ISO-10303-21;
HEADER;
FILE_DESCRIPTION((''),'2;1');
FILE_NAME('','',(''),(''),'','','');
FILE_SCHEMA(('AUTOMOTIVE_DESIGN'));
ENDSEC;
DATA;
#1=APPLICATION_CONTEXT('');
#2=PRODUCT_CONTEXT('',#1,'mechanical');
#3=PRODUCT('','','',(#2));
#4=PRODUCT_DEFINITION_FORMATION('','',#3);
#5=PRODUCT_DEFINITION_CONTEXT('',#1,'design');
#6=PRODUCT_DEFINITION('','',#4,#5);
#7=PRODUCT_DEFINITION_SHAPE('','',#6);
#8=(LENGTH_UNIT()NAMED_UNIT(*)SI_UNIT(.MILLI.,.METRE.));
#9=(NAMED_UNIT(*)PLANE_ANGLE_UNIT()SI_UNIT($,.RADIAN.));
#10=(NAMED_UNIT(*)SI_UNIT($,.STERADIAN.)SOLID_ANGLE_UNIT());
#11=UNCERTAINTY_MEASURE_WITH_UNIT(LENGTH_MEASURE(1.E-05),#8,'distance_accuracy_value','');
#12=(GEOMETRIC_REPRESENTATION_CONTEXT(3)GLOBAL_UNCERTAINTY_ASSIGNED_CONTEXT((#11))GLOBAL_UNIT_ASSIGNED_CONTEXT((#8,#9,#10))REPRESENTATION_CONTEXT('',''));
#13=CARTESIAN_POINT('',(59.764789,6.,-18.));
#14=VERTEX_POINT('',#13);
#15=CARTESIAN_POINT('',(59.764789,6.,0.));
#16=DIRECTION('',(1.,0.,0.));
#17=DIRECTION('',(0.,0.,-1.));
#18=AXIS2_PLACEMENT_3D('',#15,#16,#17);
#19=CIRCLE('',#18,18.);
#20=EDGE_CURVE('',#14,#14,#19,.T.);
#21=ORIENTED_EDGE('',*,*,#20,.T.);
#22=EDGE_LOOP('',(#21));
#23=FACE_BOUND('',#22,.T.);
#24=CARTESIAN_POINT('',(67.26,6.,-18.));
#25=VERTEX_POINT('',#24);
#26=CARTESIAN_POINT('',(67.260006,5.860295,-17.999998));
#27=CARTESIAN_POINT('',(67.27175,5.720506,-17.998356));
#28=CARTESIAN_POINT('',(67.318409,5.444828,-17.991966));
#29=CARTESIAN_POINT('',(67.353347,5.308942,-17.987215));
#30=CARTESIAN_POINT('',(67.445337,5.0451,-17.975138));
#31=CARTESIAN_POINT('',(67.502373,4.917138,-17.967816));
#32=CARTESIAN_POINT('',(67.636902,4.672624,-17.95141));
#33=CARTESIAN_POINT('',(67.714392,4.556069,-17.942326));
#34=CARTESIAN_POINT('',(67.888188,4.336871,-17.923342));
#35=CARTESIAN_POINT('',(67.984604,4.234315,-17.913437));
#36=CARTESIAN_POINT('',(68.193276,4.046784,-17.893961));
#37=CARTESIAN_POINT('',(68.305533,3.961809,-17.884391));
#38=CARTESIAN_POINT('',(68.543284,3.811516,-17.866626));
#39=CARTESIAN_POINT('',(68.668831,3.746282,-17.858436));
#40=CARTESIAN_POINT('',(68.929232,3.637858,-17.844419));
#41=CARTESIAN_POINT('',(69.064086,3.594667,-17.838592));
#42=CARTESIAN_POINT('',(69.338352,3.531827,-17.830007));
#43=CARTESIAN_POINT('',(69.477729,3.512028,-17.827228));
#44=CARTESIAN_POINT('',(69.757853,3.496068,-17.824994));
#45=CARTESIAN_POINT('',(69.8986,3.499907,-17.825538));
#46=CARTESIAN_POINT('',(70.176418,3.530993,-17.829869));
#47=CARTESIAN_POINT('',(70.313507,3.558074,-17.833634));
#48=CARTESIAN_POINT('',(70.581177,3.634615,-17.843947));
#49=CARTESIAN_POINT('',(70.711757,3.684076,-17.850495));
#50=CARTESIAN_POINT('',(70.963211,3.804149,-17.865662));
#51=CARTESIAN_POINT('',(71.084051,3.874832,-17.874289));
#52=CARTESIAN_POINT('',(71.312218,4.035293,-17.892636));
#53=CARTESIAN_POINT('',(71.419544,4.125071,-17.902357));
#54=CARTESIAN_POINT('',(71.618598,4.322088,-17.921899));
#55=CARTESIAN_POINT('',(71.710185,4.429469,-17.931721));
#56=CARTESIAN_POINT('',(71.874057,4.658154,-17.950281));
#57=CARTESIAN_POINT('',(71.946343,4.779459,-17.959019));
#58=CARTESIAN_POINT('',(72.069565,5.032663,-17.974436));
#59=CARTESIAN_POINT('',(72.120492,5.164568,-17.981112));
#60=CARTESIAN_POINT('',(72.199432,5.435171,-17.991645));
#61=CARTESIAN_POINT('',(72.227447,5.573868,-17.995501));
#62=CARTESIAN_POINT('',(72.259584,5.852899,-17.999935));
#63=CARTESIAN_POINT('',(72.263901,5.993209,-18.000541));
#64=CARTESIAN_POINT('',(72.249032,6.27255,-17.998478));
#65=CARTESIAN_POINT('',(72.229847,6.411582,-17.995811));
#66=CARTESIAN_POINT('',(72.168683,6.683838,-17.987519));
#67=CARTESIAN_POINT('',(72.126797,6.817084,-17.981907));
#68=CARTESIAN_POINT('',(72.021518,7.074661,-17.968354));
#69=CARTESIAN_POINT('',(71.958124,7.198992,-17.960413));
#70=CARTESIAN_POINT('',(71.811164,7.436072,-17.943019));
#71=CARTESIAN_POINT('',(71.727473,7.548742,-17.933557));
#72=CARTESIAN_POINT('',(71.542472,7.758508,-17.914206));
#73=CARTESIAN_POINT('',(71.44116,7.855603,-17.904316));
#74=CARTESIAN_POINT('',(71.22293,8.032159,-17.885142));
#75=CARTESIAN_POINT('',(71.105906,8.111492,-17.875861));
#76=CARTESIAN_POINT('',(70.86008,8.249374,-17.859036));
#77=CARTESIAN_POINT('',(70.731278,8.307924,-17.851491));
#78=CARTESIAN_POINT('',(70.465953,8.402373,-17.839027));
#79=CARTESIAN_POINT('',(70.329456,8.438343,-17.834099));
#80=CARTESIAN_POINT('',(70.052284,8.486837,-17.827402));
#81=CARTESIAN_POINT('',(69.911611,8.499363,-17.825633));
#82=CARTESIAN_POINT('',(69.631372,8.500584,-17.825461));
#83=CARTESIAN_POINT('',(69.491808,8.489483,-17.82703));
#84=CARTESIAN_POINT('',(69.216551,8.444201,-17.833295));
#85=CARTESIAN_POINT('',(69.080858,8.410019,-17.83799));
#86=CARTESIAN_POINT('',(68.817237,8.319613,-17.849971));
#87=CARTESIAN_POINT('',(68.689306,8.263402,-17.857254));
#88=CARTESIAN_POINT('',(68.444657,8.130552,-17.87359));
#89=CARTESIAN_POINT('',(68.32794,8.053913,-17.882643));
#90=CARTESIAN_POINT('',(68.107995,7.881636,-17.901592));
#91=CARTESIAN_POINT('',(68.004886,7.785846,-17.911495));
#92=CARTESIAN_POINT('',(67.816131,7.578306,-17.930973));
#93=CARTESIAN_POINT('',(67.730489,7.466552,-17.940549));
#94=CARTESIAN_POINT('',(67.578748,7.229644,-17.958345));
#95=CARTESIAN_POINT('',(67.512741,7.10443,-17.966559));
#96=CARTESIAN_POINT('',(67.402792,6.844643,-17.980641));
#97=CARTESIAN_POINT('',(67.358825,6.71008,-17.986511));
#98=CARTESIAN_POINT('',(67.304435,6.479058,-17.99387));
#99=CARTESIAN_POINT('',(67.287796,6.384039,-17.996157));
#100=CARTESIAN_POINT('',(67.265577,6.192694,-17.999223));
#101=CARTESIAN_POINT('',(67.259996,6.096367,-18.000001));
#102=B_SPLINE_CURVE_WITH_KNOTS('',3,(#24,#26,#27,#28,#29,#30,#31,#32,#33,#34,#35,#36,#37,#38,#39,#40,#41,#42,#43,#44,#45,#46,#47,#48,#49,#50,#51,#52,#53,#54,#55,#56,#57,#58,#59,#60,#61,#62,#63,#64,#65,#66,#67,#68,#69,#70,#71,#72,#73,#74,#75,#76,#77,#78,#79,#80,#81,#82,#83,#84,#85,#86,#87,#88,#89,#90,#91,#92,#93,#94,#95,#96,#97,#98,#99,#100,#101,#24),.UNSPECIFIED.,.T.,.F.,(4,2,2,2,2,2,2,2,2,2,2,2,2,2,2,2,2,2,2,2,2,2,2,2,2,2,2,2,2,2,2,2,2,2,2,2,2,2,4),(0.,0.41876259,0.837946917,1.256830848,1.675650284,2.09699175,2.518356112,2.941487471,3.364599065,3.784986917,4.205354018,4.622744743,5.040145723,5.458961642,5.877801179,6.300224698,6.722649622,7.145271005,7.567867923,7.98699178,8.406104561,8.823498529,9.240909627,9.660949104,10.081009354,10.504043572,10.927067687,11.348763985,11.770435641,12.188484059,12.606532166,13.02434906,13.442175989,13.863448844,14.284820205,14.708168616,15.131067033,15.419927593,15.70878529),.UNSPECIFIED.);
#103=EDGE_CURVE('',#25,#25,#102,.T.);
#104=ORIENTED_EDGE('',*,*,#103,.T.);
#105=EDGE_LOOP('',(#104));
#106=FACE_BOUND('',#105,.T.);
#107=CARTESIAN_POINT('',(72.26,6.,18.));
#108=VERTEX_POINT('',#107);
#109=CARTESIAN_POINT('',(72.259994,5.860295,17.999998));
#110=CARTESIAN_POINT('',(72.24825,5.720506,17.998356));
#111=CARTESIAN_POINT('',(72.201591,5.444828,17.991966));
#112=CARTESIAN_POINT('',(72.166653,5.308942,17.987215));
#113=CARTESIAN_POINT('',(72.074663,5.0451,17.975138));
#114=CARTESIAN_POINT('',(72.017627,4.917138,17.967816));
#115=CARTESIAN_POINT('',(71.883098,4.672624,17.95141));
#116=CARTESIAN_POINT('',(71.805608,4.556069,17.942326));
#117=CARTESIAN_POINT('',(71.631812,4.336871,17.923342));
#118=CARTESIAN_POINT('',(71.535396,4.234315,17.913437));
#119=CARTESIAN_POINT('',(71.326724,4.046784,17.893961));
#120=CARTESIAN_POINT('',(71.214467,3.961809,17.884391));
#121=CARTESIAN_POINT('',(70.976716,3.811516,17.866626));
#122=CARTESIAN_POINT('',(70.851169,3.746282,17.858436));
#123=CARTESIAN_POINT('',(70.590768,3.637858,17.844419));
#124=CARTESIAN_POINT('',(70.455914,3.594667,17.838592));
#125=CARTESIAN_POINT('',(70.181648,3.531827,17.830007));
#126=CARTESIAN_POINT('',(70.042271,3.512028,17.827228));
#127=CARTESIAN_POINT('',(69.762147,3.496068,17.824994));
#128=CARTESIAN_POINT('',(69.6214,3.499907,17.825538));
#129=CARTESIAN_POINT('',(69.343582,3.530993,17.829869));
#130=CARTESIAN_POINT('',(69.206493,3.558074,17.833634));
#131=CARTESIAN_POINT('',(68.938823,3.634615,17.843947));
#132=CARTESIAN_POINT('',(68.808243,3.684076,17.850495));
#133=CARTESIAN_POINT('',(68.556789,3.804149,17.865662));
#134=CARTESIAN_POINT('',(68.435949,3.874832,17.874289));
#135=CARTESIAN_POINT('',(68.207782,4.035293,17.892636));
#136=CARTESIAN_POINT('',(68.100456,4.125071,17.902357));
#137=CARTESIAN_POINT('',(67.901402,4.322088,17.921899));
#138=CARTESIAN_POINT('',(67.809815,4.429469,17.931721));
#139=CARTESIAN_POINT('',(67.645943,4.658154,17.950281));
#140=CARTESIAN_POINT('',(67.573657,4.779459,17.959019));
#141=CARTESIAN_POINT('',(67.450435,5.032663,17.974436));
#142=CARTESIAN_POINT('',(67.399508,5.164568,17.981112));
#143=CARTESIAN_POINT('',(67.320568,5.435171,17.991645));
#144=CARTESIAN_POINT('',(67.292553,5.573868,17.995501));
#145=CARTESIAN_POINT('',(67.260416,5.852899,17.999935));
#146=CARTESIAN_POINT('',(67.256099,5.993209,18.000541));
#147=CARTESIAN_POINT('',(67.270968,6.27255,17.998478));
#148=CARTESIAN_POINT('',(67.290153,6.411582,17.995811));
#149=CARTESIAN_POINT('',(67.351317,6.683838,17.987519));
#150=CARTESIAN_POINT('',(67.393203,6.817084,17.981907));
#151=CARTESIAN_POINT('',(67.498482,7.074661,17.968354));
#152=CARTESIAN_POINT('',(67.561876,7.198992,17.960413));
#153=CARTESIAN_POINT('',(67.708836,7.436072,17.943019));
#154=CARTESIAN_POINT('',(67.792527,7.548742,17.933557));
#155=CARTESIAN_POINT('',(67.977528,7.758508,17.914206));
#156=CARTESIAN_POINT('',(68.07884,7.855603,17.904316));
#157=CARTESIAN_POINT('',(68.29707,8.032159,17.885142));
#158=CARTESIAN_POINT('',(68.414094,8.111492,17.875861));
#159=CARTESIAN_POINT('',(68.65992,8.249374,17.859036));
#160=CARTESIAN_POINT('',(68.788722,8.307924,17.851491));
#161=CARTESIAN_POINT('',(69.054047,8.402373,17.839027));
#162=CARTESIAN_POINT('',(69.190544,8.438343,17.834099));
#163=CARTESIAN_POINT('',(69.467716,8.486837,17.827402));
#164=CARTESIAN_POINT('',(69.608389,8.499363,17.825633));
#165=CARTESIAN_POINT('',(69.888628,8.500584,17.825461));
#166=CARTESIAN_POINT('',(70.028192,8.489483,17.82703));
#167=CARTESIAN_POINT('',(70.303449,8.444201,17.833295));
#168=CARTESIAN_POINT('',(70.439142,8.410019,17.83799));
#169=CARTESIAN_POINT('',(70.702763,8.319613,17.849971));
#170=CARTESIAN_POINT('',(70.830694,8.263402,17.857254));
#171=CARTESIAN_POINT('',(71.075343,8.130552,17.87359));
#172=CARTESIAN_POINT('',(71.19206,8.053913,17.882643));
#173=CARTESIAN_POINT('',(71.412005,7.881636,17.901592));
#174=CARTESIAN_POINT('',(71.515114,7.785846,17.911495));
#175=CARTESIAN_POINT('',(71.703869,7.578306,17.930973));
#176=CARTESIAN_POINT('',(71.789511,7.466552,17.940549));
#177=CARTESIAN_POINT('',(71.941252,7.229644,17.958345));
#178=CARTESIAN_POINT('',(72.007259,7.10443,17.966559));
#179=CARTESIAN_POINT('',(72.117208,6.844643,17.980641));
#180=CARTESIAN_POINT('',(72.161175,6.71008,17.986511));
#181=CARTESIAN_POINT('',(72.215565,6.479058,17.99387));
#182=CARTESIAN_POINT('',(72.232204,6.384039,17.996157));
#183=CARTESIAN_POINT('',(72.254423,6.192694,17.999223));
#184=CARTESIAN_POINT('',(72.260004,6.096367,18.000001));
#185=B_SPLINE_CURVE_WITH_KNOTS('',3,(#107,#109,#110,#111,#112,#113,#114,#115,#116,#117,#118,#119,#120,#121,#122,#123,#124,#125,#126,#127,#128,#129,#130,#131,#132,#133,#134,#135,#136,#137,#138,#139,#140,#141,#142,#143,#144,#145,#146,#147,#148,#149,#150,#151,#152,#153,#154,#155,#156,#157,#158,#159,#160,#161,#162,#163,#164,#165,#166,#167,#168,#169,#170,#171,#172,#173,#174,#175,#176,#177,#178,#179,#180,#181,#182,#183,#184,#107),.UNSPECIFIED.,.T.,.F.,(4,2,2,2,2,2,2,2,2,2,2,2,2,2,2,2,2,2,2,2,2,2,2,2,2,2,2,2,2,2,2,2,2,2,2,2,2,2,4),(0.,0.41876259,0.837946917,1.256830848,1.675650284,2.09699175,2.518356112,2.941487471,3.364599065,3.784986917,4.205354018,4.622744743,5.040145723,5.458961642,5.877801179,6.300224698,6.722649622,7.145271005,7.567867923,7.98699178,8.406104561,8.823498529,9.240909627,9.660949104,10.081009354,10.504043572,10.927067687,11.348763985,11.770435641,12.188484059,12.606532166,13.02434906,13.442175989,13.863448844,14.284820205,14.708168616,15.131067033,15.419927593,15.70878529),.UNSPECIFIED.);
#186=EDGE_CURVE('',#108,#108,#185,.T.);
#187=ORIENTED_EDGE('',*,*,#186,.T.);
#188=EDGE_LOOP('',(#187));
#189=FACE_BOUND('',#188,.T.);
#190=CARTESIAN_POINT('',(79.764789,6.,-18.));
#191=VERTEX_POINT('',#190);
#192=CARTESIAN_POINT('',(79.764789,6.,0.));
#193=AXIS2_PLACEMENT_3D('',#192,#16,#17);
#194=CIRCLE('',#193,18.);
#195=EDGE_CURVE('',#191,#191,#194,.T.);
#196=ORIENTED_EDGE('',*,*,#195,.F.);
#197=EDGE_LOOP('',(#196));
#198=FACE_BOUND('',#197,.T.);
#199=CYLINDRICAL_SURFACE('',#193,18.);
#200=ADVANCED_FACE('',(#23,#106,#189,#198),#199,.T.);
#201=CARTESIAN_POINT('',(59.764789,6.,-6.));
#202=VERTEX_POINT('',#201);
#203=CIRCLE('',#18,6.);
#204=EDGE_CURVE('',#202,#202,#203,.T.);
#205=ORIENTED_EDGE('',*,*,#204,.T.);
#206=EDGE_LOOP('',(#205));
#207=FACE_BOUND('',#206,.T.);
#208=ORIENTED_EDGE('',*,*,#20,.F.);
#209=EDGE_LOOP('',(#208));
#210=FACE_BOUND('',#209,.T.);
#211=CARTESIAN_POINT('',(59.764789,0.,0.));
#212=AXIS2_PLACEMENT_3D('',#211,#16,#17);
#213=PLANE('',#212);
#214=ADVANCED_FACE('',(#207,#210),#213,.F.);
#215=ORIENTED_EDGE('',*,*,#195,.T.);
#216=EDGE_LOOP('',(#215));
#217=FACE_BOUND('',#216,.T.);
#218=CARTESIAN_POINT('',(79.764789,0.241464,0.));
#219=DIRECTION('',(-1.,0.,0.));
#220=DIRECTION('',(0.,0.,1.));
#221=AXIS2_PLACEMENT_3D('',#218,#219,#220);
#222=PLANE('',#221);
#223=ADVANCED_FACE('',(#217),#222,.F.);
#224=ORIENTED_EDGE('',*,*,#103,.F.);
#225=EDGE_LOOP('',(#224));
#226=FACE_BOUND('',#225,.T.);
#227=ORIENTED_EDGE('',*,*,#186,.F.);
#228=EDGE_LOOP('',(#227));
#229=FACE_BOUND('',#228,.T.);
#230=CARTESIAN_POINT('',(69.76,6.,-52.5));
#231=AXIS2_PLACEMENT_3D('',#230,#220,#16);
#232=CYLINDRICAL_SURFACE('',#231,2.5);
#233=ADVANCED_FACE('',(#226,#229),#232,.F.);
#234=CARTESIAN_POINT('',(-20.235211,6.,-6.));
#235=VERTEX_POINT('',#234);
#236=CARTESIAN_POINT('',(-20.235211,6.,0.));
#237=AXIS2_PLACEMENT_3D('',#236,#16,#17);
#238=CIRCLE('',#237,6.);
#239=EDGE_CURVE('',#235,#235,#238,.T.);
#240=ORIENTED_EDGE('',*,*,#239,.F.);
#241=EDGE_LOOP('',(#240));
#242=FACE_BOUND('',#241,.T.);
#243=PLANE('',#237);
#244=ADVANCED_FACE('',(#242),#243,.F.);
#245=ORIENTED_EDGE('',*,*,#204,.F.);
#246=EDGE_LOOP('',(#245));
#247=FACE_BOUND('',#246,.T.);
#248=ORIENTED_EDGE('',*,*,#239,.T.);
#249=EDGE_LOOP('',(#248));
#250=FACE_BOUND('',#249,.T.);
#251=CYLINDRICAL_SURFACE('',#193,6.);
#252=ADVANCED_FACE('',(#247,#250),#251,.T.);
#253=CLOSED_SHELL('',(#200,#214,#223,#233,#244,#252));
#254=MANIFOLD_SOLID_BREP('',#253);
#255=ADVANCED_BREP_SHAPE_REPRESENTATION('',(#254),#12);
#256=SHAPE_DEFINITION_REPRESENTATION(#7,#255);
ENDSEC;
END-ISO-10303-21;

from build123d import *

# Parameters (mm, degrees)
IZIM2_R               = 2.5
KES_EKSTR_ZYON1_DEPTH = 52.5


with BuildPart() as part:
    # Çizim1 → Döndür1 (revolve)
    with BuildSketch(Plane.XY):
        Polygon((-20.235211, 0), (59.764789, 0), (59.764789, -12), (79.764789, -12), (79.764789, 0.241464104), (79.764789, 6), (-20.235211, 6), align=None)
    revolve(axis=Axis((79.764789, 6, 0), (-1, 0, 0)))

    # Çizim2 → Kes-Ekstrüzyon1 (cut, symmetric)
    with BuildSketch(Plane.XY):
        with Locations((69.76, 6)):
            Circle(IZIM2_R)
    extrude(amount=KES_EKSTR_ZYON1_DEPTH, both=True, mode=Mode.SUBTRACT)


solid = part.part
